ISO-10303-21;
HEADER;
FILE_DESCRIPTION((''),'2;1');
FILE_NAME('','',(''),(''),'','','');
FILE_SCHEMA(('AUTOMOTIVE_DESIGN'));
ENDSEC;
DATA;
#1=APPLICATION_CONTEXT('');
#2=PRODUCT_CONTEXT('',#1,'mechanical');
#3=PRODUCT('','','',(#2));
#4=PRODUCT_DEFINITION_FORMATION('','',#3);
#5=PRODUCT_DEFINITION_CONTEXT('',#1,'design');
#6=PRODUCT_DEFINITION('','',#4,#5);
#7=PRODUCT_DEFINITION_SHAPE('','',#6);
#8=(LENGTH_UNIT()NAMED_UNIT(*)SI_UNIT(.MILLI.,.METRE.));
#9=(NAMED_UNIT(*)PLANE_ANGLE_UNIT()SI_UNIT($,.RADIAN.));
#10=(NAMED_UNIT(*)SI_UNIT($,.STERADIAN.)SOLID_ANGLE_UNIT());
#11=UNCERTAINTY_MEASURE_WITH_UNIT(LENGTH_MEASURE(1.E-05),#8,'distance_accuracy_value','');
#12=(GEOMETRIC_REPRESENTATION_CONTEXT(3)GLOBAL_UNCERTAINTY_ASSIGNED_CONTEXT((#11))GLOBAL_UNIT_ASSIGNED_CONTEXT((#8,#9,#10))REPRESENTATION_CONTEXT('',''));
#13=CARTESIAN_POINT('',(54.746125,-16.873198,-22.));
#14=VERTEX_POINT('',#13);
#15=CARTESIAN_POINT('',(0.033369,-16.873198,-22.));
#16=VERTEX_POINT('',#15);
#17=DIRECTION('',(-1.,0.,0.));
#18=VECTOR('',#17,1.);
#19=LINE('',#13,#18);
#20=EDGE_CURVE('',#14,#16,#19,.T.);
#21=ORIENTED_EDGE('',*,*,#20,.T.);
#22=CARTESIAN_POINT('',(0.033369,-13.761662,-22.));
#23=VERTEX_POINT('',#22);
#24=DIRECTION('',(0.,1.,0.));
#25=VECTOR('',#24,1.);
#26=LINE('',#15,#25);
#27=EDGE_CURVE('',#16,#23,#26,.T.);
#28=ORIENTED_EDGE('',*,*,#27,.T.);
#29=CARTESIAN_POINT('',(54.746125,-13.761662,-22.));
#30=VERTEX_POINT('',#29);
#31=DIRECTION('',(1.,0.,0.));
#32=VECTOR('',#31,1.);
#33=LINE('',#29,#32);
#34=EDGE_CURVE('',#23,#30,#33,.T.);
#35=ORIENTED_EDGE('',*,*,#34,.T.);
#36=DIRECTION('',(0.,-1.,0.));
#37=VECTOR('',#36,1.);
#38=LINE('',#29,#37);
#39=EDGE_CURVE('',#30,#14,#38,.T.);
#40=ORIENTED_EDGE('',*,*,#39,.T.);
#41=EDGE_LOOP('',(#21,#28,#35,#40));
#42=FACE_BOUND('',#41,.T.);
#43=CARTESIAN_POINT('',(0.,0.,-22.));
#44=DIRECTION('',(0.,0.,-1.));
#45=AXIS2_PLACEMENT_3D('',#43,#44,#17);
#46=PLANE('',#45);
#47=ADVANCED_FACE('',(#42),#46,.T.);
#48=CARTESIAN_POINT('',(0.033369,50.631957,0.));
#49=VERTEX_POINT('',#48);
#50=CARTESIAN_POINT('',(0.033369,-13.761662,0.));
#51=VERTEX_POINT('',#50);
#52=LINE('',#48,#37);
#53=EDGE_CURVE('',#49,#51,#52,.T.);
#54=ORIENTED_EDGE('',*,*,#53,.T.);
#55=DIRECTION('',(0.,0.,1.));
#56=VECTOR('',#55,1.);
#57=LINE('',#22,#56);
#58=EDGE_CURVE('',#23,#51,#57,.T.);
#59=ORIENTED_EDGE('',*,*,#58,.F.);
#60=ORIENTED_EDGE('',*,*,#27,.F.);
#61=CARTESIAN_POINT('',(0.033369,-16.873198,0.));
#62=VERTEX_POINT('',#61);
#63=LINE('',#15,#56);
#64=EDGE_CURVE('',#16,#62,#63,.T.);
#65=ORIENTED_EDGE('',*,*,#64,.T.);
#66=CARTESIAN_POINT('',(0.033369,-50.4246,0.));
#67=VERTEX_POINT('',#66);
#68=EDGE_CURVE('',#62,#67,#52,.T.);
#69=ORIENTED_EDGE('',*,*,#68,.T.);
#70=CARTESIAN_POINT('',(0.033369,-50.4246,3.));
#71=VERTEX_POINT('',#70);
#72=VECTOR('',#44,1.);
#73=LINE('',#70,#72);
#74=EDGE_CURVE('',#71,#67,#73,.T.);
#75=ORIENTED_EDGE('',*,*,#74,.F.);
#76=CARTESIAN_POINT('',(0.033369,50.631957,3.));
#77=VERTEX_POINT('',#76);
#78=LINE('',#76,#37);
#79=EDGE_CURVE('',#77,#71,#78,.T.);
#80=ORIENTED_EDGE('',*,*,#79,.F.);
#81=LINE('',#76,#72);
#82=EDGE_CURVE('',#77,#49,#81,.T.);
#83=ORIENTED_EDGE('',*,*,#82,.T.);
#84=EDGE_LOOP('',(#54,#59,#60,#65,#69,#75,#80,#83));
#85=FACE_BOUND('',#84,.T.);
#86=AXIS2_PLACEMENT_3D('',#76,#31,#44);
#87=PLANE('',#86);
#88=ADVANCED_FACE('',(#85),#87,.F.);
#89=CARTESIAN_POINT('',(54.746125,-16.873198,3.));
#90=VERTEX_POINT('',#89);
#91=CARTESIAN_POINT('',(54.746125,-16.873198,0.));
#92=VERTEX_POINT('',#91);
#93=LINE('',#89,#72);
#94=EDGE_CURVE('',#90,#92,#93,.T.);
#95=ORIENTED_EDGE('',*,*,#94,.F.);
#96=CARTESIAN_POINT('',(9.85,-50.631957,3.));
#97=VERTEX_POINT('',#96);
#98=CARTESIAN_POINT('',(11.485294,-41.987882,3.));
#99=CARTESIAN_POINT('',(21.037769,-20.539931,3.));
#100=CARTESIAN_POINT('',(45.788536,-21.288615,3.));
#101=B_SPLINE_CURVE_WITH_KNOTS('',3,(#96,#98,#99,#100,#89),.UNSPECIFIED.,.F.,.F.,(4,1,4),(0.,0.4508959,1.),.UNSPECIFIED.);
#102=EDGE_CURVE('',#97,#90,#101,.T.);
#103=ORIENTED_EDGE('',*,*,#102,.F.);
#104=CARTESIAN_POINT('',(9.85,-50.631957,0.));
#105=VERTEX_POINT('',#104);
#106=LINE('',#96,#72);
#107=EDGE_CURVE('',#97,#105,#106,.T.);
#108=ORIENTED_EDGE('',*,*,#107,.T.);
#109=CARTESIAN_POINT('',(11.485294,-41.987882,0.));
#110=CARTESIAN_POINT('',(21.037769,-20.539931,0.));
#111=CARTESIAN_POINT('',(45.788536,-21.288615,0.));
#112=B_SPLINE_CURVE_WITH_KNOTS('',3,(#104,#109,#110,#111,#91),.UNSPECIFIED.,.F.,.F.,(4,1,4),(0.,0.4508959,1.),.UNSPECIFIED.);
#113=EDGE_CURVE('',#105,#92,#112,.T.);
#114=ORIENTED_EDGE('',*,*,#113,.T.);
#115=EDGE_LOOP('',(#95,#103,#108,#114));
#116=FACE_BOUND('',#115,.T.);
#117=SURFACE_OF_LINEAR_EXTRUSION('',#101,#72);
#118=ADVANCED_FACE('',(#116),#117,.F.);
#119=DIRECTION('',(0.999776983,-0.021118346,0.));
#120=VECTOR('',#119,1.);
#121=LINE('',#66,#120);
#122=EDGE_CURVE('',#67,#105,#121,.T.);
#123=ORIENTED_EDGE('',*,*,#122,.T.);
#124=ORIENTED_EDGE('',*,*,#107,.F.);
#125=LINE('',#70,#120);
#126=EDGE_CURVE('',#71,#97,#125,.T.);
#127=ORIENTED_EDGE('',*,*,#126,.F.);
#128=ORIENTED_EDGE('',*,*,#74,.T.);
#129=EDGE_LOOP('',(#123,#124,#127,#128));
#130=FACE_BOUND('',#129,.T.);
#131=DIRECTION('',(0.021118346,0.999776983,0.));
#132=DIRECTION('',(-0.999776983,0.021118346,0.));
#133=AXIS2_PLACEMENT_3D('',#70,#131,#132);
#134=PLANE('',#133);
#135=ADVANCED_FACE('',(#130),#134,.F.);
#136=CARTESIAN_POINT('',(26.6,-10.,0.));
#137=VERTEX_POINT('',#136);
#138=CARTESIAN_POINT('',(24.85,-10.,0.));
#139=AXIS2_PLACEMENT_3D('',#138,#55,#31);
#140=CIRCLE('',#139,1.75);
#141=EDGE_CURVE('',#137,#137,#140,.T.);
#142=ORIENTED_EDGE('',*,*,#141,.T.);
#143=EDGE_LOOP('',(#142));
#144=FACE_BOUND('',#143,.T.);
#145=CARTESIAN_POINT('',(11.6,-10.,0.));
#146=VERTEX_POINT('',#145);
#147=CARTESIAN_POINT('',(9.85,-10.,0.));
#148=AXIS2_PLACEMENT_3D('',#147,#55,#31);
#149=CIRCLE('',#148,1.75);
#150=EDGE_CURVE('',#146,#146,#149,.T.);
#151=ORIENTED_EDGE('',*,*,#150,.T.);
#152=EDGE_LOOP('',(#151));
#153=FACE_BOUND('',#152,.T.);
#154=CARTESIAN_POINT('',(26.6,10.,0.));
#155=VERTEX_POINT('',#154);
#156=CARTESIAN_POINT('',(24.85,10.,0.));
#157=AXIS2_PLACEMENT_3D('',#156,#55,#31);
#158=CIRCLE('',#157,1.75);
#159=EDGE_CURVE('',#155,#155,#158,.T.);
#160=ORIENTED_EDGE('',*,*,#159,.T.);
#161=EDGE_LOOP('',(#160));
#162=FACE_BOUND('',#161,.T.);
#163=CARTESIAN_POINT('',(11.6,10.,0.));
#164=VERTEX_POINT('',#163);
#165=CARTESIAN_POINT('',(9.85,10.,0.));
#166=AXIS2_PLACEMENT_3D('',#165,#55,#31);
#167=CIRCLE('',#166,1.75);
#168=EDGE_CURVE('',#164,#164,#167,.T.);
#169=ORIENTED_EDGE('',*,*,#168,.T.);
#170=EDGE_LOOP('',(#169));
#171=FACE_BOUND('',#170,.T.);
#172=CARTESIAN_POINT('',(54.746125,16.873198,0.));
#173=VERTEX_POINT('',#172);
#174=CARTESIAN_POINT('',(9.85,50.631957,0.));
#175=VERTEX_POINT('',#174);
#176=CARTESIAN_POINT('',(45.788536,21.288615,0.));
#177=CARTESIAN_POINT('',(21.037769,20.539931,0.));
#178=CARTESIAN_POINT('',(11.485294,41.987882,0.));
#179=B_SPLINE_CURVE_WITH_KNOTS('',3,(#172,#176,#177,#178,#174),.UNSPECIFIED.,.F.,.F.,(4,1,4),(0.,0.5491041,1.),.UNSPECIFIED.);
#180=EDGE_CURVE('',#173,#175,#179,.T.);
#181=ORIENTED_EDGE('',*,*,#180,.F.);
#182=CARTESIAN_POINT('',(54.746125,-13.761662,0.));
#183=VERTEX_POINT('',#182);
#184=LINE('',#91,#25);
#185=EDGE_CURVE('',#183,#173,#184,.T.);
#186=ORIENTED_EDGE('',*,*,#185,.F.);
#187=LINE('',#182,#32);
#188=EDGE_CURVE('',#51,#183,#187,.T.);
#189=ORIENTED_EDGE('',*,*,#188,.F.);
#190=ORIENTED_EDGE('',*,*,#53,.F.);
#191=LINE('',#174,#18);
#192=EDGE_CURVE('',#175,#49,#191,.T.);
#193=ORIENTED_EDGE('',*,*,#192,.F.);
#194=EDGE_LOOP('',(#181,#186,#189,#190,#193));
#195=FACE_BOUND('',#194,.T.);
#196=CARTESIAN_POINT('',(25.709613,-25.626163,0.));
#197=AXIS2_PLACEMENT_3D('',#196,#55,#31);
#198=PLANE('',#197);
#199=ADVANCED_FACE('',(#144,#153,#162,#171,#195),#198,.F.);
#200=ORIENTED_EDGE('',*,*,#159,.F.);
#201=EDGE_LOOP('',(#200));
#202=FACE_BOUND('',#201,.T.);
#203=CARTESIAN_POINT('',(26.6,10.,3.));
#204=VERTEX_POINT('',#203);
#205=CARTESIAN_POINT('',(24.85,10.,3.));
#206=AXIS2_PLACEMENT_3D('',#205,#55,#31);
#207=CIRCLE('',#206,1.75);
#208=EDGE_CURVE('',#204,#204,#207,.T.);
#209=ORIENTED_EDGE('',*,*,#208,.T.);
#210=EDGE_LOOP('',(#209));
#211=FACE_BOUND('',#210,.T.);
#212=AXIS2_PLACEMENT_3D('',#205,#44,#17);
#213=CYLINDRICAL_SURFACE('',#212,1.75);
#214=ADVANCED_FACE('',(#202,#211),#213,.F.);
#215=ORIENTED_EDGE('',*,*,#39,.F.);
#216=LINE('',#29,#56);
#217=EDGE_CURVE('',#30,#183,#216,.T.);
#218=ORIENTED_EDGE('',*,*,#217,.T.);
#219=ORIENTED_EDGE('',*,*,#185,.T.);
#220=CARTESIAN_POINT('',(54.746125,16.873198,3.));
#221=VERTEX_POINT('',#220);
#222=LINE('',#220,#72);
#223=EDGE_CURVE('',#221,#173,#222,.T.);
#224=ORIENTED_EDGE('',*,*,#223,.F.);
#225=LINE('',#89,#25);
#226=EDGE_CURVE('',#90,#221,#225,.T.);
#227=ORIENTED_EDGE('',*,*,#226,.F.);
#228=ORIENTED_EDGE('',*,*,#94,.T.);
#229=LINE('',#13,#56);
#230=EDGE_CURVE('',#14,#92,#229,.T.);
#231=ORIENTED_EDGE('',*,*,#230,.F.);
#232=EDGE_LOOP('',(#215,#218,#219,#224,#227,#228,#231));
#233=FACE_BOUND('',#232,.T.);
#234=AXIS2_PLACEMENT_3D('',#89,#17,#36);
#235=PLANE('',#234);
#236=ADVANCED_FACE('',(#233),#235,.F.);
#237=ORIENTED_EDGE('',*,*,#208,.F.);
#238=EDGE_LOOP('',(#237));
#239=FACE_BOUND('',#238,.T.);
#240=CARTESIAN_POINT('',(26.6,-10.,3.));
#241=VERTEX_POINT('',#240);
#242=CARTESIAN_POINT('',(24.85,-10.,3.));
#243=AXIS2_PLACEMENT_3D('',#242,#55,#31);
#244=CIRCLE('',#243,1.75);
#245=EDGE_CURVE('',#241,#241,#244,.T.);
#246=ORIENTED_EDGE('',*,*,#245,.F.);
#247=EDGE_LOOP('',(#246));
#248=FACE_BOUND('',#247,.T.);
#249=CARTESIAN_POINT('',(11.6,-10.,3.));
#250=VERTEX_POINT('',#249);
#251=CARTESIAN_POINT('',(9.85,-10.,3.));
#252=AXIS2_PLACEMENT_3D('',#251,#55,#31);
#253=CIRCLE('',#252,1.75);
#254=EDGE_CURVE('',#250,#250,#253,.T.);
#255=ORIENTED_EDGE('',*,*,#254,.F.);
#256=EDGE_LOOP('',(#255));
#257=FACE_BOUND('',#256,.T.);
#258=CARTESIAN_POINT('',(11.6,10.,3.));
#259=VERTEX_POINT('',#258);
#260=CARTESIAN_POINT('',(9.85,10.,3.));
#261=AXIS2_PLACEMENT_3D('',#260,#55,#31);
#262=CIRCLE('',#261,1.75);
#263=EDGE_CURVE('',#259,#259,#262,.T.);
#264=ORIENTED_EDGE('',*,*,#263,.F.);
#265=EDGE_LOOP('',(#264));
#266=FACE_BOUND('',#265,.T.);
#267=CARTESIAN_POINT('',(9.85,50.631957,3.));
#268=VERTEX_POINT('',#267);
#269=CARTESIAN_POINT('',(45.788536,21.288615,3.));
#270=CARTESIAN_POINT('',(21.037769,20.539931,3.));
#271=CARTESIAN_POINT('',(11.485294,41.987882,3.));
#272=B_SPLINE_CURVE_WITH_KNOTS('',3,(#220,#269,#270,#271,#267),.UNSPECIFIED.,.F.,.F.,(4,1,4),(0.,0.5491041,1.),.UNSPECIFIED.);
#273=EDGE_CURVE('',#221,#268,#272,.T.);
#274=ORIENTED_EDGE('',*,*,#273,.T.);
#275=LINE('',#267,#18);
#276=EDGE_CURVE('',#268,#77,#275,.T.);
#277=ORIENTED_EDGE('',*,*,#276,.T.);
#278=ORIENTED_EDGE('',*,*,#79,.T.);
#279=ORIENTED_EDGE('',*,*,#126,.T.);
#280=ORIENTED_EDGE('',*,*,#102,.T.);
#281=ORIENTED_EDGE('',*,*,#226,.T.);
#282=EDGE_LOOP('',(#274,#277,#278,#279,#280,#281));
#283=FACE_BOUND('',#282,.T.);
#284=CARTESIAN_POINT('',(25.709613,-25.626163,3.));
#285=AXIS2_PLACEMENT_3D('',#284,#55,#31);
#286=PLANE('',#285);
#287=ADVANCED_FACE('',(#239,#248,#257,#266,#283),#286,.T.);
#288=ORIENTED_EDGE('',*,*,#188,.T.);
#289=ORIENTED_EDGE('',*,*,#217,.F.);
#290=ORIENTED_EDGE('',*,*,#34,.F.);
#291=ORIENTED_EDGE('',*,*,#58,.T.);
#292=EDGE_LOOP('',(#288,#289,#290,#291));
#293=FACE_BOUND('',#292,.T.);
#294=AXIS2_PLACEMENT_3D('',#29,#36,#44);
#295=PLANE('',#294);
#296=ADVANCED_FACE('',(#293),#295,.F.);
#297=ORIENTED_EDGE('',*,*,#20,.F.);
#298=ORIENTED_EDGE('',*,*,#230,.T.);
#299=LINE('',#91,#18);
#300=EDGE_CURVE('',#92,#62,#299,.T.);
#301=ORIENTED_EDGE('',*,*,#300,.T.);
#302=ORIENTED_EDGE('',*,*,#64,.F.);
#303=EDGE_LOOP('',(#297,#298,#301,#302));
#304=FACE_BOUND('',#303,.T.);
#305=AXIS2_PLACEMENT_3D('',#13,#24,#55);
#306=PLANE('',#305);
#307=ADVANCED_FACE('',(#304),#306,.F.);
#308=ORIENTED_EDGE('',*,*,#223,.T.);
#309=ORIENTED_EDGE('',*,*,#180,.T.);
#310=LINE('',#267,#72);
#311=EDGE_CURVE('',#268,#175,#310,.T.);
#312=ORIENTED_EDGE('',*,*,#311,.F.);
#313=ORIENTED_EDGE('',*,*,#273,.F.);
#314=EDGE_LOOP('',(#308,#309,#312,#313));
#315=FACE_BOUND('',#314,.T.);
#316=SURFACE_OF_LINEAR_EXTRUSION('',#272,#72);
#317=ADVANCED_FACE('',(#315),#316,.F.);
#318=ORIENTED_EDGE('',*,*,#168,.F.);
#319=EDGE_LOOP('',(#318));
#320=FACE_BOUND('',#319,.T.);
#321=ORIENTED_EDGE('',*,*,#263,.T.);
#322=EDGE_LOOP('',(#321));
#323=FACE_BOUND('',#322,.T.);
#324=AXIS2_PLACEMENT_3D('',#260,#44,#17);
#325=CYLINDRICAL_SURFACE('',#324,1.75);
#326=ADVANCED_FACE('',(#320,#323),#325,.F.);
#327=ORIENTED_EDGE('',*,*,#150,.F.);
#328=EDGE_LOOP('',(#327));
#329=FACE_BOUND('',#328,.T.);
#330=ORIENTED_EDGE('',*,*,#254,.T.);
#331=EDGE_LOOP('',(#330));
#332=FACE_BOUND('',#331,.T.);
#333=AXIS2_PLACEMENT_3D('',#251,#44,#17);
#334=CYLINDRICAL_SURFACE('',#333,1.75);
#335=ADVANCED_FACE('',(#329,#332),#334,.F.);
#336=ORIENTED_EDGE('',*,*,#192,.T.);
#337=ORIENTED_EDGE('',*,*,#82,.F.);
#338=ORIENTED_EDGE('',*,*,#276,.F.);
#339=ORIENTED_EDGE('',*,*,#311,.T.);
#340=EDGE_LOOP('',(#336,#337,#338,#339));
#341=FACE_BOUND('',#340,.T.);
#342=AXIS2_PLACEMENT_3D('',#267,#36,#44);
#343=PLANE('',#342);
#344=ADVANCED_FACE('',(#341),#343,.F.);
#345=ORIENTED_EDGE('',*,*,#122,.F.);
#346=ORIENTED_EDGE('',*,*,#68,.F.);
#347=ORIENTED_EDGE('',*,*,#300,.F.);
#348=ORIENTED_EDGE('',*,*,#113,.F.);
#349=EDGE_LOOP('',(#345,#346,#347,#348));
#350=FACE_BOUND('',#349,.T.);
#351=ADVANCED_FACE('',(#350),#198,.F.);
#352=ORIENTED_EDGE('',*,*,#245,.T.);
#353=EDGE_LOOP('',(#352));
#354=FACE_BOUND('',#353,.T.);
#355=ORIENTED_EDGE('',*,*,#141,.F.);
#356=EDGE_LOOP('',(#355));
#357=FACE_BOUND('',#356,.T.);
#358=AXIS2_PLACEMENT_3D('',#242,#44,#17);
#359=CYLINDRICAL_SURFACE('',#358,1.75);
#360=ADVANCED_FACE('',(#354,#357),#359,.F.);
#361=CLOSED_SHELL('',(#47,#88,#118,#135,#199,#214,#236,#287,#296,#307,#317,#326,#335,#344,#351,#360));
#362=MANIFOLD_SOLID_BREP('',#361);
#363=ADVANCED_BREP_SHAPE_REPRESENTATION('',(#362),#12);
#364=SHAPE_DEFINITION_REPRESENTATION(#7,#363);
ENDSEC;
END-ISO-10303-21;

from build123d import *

# Parameters (mm, degrees)
SKETCH3_R           = 1.75
BOSS_EXTRUDE2_DEPTH = 3
SKETCH4_W           = 54.71275589
SKETCH4_H           = 3.111536519
BOSS_EXTRUDE3_DEPTH = 22


with BuildPart() as part:
    # Sketch3 → Boss-Extrude2 (new body)
    with BuildSketch(Plane.XY):
        with BuildLine():
            Line((0.033369184, 50.631957294), (0.033369184, -50.424600046))
            Line((0.033369184, -50.424600046), (9.85, -50.631957294))
            add(Edge.make_bspline(
                [(54.746125074, -16.873198091), (45.78853614, -21.288615011), (21.037768937, -20.539930575), (11.485294324, -41.9878824), (9.85, -50.631957294)],
                knots=[0, 0, 0, 0, 0.5491041, 1, 1, 1, 1], degree=3))
            Line((54.746125074, -16.873198091), (54.746125074, 16.873198091))
            add(Edge.make_bspline(
                [(54.746125074, 16.873198091), (45.78853614, 21.288615011), (21.037768937, 20.539930575), (11.485294324, 41.9878824), (9.85, 50.631957294)],
                knots=[0, 0, 0, 0, 0.5491041, 1, 1, 1, 1], degree=3))
            Line((9.85, 50.631957294), (0.033369184, 50.631957294))
        make_face()
        with Locations((9.85, 10)):
            Circle(SKETCH3_R, mode=Mode.SUBTRACT)
        with Locations((24.85, 10)):
            Circle(SKETCH3_R, mode=Mode.SUBTRACT)
        with Locations((24.85, -10)):
            Circle(SKETCH3_R, mode=Mode.SUBTRACT)
        with Locations((9.85, -10)):
            Circle(SKETCH3_R, mode=Mode.SUBTRACT)
    extrude(amount=BOSS_EXTRUDE2_DEPTH)

    # Sketch4 → Boss-Extrude3 (add)
    with BuildSketch(Plane(origin=(0, 0, 0), x_dir=(-1, 0, 0), z_dir=(0, 0, -1))):
        with Locations((-27.389747129, -15.317429832)):
            Rectangle(SKETCH4_W, SKETCH4_H)
    extrude(amount=BOSS_EXTRUDE3_DEPTH)


solid = part.part
